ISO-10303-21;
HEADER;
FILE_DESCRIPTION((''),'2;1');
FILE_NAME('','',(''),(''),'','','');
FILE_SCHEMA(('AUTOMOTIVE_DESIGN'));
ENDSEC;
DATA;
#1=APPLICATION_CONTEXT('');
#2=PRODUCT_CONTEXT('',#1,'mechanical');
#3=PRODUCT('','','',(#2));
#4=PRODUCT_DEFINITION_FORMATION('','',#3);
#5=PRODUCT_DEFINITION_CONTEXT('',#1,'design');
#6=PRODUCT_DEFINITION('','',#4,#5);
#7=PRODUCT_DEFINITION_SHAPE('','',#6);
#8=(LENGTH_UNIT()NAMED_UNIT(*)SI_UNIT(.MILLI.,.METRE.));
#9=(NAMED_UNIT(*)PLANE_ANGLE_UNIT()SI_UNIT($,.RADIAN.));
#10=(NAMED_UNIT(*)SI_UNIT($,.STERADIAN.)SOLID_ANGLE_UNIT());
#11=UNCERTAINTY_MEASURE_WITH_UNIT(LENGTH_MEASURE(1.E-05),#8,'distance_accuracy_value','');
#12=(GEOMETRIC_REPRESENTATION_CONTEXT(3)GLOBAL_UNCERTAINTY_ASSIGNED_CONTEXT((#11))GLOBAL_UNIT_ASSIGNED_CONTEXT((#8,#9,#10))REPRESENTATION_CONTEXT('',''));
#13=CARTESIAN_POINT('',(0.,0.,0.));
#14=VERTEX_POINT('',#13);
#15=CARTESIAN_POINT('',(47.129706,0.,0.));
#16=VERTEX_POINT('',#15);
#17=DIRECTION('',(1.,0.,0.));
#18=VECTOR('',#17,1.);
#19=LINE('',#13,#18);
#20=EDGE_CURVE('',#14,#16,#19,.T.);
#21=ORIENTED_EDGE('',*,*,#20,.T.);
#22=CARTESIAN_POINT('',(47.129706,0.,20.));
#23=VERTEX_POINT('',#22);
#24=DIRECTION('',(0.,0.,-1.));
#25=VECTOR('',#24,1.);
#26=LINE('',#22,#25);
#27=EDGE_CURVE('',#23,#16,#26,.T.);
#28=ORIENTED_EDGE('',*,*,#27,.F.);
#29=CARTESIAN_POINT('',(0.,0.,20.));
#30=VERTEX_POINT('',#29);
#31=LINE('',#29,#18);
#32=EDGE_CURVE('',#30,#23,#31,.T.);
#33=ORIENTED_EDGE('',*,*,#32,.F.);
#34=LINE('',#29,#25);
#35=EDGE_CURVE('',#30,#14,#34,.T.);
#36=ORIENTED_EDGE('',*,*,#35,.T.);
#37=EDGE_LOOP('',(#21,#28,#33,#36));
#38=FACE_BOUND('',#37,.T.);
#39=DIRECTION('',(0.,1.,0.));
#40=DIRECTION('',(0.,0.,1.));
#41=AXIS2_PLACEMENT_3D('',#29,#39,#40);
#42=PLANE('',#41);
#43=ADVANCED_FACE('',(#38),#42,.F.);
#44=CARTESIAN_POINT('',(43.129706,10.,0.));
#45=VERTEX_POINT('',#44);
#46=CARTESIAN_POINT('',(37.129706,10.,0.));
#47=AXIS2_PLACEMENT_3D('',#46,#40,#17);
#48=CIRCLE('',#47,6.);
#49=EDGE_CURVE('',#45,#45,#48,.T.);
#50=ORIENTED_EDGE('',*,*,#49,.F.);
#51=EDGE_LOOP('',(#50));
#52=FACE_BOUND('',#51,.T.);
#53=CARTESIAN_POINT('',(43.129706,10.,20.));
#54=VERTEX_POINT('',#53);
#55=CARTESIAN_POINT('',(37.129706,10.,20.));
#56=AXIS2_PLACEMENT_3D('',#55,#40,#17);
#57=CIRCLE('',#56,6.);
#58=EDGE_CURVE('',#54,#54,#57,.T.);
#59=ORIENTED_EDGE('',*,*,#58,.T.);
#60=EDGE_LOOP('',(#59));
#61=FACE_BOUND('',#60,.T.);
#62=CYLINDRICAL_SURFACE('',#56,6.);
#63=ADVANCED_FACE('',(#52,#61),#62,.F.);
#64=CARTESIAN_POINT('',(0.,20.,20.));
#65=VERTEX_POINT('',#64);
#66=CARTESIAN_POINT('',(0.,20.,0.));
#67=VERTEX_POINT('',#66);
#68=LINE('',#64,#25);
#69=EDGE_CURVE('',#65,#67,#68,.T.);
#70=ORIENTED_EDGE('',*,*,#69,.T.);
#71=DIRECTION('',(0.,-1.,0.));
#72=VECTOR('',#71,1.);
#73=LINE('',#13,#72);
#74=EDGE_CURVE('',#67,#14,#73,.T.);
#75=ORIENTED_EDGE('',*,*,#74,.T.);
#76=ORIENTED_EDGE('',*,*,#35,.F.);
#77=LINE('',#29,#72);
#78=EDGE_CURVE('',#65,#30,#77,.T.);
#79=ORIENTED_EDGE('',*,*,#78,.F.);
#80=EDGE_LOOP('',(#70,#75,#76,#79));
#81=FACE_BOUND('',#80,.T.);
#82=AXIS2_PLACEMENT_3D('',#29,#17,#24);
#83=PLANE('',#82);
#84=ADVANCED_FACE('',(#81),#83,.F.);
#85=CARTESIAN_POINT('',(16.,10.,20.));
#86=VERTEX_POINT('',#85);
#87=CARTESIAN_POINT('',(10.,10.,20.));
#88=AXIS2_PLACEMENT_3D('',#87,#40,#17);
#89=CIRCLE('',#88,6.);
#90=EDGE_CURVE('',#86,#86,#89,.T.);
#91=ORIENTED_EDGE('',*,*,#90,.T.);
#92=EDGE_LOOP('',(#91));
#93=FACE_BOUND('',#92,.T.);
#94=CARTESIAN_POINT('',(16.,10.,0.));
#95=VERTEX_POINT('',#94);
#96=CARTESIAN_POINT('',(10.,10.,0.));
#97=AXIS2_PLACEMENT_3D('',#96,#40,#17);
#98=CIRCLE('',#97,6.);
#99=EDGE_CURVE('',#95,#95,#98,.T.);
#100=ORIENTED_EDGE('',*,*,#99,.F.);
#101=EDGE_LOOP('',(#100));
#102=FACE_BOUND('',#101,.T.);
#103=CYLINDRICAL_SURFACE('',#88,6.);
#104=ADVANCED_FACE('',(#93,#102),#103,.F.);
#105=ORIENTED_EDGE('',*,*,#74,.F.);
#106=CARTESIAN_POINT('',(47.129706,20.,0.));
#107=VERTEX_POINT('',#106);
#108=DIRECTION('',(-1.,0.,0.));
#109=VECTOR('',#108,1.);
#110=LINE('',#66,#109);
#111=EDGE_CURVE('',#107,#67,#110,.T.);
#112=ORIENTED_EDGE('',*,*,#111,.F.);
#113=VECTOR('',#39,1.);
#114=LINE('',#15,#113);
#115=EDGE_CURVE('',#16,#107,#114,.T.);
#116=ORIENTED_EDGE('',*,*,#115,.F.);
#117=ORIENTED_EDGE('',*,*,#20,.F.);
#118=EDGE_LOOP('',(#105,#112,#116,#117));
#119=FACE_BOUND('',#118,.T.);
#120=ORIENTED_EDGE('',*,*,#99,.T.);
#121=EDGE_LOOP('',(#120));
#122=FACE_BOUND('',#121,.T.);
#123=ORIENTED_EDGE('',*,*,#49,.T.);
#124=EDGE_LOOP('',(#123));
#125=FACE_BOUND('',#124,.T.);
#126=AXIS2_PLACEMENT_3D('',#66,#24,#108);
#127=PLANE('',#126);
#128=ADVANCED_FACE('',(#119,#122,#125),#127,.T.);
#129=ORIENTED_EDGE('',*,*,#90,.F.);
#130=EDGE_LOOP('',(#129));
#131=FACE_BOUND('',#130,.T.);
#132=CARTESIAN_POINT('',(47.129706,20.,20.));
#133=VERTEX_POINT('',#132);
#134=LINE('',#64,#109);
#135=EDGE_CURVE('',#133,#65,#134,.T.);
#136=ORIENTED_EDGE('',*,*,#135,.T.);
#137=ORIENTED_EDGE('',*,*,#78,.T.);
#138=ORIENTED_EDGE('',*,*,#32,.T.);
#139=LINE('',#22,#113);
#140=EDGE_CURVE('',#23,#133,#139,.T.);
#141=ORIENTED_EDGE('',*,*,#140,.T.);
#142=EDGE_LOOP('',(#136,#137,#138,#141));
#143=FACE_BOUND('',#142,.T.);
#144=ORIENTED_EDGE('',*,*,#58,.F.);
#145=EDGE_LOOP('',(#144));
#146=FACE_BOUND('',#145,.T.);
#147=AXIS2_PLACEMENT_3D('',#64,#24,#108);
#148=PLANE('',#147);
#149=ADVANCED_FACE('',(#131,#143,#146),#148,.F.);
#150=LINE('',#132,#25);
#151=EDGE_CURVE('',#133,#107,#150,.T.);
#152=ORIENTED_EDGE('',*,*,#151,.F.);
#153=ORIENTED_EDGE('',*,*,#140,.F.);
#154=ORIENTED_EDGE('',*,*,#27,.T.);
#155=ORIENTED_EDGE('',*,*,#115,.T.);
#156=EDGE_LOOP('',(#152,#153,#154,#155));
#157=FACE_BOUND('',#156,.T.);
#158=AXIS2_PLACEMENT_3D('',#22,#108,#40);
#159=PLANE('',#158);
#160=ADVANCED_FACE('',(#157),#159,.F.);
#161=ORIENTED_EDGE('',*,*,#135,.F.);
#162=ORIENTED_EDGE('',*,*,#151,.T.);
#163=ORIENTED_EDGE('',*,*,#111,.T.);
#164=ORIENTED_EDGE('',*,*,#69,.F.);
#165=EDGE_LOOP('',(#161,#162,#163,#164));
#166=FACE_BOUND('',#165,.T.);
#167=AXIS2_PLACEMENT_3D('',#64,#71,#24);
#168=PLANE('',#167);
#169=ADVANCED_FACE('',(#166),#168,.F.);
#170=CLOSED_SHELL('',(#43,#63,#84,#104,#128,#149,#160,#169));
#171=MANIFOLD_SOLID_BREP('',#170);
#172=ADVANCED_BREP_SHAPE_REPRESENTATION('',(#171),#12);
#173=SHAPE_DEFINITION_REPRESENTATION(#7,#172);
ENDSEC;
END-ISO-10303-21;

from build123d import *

# Parameters (mm, degrees)
SKETCH1_W                  = 47.129705535
SKETCH1_H                  = 20
EXTRUDE1_DEPTH             = 20
F_12_0_12_DIAMETER_HOLE1_D = 12


with BuildPart() as part:
    # Sketch1 → Extrude1 (new body)
    with BuildSketch(Plane.XY):
        with Locations((23.564852768, 10)):
            Rectangle(SKETCH1_W, SKETCH1_H)
    extrude(amount=EXTRUDE1_DEPTH)

    # Ø12.0 (12) Diameter Hole1 (through all)
    with Locations(Plane(origin=(37.129705535, 10, 20), x_dir=(1, 0, 0), z_dir=(0, 0, 1))):
        with Locations((0, 0), (-27.129705535, 0)):
            Hole(F_12_0_12_DIAMETER_HOLE1_D / 2)


solid = part.part
